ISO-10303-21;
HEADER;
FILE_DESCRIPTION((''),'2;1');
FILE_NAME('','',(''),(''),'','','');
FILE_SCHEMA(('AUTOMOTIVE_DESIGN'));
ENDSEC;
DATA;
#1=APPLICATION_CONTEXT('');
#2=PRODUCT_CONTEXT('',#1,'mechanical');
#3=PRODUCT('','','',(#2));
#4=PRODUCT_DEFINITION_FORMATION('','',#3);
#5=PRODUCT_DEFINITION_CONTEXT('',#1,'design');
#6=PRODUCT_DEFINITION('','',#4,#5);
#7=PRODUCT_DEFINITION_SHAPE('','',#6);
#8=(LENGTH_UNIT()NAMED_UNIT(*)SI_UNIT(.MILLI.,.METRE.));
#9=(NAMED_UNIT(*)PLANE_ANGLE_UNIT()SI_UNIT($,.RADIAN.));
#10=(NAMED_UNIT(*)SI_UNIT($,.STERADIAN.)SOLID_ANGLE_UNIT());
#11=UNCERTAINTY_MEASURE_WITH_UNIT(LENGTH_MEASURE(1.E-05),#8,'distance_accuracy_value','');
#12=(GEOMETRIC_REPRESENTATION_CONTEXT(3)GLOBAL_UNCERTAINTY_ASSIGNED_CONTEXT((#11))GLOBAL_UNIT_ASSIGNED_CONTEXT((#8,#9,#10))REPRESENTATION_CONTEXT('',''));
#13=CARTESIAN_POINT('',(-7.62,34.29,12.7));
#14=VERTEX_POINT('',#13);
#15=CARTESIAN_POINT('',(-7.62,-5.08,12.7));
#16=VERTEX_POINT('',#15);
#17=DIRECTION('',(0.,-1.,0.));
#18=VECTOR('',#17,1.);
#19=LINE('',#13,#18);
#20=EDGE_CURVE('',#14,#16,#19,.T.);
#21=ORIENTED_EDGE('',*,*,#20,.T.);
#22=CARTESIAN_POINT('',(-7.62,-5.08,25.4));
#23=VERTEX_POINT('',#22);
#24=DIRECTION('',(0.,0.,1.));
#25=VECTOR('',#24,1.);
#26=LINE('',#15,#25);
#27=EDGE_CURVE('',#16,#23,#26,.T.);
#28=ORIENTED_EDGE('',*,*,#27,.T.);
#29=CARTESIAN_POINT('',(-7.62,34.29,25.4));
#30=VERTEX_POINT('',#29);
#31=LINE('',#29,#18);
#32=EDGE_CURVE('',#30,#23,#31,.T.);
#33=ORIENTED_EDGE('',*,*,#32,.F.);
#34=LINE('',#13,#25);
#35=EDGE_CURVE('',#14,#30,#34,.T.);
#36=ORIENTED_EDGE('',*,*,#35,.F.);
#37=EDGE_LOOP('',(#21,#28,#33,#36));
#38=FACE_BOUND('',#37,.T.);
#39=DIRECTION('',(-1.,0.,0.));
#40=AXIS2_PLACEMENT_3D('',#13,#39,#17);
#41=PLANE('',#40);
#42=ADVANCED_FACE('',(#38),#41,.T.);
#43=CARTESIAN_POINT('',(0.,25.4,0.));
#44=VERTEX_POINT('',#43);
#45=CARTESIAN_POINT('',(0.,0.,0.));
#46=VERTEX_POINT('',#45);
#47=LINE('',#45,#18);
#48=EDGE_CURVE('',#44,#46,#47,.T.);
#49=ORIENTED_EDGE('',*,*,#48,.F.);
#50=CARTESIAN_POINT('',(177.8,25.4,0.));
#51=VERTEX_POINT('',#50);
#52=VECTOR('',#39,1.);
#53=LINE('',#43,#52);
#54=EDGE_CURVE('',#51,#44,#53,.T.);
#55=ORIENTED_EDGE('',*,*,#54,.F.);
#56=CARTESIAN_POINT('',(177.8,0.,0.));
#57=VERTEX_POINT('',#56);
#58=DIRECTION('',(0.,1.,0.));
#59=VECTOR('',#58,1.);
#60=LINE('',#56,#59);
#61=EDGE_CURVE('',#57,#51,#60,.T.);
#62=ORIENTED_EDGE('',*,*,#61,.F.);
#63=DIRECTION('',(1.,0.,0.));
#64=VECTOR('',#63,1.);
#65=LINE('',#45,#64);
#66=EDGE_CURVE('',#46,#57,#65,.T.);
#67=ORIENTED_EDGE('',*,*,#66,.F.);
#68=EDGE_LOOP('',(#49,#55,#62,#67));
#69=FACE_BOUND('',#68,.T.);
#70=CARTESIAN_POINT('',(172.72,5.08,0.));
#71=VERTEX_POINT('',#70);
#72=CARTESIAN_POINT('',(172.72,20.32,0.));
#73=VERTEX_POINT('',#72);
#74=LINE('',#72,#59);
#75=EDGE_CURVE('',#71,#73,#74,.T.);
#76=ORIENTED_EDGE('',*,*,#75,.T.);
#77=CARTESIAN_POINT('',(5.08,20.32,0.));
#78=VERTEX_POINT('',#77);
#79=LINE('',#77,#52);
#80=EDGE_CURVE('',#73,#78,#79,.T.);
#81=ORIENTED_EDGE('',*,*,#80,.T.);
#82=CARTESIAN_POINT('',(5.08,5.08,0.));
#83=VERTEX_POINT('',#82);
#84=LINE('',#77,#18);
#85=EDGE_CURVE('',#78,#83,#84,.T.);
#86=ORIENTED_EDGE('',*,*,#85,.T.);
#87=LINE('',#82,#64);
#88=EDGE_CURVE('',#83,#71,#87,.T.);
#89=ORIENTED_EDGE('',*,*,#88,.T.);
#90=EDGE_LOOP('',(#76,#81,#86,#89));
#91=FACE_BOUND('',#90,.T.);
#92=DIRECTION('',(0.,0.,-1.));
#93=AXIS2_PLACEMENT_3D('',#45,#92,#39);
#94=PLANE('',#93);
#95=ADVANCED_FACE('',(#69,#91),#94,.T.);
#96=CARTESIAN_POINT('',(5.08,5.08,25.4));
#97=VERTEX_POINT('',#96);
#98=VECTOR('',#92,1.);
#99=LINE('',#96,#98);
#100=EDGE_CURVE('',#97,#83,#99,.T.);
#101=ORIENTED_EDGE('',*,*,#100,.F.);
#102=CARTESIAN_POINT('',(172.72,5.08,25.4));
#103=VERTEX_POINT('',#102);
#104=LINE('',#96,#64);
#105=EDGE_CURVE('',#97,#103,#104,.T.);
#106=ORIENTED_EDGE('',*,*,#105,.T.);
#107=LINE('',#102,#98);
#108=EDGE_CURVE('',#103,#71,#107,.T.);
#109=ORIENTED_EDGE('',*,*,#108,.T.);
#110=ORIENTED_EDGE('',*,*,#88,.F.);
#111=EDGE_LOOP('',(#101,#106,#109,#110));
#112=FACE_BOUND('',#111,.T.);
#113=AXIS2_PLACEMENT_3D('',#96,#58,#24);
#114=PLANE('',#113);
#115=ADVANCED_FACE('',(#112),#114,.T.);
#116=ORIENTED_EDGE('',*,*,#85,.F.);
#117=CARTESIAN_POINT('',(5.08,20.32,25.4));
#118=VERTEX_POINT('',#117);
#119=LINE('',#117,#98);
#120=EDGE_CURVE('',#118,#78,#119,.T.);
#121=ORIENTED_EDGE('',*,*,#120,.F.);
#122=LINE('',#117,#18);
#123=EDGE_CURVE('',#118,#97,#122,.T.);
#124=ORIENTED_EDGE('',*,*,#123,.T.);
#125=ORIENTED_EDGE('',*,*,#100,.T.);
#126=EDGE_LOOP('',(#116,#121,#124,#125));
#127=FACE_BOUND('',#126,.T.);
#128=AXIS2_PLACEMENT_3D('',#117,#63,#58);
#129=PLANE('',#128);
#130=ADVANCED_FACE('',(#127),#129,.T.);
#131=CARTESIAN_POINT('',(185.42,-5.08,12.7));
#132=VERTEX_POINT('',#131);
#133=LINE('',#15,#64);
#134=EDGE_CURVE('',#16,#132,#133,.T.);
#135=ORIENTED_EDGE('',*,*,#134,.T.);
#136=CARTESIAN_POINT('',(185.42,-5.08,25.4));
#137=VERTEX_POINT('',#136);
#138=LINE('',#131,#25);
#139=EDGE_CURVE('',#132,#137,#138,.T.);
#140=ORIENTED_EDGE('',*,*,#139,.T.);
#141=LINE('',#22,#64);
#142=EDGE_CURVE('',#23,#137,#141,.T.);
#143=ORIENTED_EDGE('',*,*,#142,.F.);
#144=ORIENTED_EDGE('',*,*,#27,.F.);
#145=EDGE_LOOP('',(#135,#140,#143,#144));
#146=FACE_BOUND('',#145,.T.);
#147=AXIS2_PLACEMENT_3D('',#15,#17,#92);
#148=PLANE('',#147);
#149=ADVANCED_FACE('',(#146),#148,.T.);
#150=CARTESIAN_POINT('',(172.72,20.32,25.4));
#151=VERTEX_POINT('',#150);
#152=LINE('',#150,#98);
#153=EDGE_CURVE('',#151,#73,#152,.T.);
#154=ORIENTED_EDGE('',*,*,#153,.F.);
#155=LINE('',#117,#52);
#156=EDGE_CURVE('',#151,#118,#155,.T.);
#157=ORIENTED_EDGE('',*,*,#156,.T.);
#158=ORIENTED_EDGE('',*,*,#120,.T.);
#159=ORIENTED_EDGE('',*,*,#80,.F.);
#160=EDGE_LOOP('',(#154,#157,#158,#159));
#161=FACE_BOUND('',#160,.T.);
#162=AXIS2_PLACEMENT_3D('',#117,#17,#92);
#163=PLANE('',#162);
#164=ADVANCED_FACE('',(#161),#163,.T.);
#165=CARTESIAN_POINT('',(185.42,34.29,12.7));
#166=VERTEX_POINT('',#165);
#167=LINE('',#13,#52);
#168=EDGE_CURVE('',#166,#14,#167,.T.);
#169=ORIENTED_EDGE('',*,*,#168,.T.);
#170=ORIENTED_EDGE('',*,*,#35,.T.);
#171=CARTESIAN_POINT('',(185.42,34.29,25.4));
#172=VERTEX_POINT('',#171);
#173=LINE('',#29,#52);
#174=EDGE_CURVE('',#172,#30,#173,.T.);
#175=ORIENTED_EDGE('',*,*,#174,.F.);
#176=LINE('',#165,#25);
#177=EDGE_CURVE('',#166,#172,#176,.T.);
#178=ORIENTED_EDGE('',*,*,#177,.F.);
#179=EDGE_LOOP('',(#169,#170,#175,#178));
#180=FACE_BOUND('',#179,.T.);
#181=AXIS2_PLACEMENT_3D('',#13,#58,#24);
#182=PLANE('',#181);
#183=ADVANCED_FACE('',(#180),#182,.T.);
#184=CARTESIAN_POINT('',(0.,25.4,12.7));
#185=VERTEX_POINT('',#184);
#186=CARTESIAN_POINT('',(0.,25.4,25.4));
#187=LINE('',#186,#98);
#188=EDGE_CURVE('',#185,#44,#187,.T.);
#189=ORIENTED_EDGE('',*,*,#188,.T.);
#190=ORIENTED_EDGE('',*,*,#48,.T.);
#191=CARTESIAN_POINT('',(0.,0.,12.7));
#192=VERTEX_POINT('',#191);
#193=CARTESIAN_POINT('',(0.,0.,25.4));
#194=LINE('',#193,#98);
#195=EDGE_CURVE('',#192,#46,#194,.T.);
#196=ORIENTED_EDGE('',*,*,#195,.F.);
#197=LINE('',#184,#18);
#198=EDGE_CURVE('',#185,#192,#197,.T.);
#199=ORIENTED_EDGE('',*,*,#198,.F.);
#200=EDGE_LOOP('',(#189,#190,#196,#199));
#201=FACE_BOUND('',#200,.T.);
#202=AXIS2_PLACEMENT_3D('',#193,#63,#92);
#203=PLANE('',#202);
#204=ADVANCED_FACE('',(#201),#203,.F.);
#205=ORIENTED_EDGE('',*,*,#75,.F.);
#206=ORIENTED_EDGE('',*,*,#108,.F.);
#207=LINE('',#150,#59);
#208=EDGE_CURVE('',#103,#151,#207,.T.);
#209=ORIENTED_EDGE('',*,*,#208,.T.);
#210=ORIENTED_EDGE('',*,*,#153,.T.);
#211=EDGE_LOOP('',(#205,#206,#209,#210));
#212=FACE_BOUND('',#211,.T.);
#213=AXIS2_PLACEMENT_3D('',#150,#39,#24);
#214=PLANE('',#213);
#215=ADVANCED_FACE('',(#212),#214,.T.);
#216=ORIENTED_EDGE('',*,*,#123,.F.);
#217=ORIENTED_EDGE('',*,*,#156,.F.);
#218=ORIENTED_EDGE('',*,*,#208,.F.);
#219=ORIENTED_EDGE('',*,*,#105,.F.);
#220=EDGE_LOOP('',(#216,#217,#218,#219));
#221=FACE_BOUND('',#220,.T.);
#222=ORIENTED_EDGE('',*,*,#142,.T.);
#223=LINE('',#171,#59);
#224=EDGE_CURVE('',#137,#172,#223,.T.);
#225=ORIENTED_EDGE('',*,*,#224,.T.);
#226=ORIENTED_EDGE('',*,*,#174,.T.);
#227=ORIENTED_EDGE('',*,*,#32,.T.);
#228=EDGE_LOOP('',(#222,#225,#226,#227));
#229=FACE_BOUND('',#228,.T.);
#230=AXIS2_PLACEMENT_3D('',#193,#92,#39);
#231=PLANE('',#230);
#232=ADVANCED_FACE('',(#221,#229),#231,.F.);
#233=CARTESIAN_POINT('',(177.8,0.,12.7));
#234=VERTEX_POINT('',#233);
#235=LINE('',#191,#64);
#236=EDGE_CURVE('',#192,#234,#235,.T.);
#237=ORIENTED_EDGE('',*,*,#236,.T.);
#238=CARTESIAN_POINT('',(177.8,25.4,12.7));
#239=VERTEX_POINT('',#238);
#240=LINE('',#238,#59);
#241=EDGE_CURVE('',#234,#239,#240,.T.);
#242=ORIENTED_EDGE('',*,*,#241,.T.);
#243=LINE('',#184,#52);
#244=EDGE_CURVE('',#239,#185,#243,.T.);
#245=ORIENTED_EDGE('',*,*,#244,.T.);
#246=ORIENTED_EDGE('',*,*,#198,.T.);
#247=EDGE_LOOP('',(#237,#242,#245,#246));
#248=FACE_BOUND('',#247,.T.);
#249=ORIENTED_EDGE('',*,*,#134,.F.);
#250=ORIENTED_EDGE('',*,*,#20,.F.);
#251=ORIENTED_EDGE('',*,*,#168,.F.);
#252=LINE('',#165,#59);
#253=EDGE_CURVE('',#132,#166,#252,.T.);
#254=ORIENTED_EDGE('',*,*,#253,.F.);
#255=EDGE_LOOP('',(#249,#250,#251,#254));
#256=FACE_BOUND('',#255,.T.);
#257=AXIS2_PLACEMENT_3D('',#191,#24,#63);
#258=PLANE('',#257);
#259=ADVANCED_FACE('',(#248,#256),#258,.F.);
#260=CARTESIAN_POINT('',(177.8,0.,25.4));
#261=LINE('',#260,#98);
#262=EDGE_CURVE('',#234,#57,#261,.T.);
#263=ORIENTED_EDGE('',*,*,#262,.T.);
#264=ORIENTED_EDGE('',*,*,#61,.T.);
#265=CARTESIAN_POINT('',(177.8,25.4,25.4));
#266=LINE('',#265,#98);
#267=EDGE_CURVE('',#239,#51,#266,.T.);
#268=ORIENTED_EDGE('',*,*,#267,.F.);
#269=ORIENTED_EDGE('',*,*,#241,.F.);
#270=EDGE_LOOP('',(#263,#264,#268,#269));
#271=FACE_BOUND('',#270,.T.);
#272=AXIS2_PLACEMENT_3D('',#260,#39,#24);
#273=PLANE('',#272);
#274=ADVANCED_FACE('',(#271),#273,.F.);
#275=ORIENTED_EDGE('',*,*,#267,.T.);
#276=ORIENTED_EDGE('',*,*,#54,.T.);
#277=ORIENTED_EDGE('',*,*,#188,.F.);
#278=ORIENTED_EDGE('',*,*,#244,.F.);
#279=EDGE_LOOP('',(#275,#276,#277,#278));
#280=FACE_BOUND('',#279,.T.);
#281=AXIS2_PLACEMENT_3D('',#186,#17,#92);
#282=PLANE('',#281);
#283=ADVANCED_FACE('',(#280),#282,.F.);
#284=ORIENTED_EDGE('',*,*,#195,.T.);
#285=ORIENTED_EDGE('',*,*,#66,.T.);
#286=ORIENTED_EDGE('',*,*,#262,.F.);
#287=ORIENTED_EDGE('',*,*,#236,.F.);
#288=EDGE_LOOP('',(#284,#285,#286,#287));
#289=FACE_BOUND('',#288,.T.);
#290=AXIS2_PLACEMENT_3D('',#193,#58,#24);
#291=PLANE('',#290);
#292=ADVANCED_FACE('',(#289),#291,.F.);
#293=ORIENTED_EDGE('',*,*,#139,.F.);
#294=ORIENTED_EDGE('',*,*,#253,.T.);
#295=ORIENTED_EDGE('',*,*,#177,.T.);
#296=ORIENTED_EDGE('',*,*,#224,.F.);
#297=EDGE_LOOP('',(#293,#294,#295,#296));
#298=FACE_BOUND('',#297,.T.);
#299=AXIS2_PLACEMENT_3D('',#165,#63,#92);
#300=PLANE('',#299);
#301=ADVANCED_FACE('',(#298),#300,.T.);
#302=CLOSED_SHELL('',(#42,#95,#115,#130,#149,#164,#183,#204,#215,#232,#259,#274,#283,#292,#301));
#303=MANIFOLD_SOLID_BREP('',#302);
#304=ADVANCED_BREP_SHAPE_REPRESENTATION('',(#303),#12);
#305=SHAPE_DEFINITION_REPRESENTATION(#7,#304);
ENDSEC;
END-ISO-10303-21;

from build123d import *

# Parameters (mm, degrees)
SKETCH1_W           = 177.8
SKETCH1_H           = 25.4
SKETCH1_W_2         = 167.64
SKETCH1_H_2         = 15.24
BOSS_EXTRUDE2_DEPTH = 25.4
SKETCH3_W           = 193.04
SKETCH3_H           = 39.37
SKETCH3_W_2         = 177.8
SKETCH3_H_2         = 25.4
BOSS_EXTRUDE3_DEPTH = 12.7


with BuildPart() as part:
    # Sketch1 → Boss-Extrude2 (new body)
    with BuildSketch(Plane.XY):
        with Locations((88.9, 12.7)):
            Rectangle(SKETCH1_W, SKETCH1_H)
        with Locations((88.9, 12.7)):
            Rectangle(SKETCH1_W_2, SKETCH1_H_2, mode=Mode.SUBTRACT)
    extrude(amount=BOSS_EXTRUDE2_DEPTH)

    # Sketch3 → Boss-Extrude3 (add)
    with BuildSketch(Plane.XY.offset(25.4)):
        with Locations((88.9, 14.605)):
            Rectangle(SKETCH3_W, SKETCH3_H)
        with Locations((88.9, 12.7)):
            Rectangle(SKETCH3_W_2, SKETCH3_H_2, mode=Mode.SUBTRACT)
    extrude(amount=-BOSS_EXTRUDE3_DEPTH)


solid = part.part
